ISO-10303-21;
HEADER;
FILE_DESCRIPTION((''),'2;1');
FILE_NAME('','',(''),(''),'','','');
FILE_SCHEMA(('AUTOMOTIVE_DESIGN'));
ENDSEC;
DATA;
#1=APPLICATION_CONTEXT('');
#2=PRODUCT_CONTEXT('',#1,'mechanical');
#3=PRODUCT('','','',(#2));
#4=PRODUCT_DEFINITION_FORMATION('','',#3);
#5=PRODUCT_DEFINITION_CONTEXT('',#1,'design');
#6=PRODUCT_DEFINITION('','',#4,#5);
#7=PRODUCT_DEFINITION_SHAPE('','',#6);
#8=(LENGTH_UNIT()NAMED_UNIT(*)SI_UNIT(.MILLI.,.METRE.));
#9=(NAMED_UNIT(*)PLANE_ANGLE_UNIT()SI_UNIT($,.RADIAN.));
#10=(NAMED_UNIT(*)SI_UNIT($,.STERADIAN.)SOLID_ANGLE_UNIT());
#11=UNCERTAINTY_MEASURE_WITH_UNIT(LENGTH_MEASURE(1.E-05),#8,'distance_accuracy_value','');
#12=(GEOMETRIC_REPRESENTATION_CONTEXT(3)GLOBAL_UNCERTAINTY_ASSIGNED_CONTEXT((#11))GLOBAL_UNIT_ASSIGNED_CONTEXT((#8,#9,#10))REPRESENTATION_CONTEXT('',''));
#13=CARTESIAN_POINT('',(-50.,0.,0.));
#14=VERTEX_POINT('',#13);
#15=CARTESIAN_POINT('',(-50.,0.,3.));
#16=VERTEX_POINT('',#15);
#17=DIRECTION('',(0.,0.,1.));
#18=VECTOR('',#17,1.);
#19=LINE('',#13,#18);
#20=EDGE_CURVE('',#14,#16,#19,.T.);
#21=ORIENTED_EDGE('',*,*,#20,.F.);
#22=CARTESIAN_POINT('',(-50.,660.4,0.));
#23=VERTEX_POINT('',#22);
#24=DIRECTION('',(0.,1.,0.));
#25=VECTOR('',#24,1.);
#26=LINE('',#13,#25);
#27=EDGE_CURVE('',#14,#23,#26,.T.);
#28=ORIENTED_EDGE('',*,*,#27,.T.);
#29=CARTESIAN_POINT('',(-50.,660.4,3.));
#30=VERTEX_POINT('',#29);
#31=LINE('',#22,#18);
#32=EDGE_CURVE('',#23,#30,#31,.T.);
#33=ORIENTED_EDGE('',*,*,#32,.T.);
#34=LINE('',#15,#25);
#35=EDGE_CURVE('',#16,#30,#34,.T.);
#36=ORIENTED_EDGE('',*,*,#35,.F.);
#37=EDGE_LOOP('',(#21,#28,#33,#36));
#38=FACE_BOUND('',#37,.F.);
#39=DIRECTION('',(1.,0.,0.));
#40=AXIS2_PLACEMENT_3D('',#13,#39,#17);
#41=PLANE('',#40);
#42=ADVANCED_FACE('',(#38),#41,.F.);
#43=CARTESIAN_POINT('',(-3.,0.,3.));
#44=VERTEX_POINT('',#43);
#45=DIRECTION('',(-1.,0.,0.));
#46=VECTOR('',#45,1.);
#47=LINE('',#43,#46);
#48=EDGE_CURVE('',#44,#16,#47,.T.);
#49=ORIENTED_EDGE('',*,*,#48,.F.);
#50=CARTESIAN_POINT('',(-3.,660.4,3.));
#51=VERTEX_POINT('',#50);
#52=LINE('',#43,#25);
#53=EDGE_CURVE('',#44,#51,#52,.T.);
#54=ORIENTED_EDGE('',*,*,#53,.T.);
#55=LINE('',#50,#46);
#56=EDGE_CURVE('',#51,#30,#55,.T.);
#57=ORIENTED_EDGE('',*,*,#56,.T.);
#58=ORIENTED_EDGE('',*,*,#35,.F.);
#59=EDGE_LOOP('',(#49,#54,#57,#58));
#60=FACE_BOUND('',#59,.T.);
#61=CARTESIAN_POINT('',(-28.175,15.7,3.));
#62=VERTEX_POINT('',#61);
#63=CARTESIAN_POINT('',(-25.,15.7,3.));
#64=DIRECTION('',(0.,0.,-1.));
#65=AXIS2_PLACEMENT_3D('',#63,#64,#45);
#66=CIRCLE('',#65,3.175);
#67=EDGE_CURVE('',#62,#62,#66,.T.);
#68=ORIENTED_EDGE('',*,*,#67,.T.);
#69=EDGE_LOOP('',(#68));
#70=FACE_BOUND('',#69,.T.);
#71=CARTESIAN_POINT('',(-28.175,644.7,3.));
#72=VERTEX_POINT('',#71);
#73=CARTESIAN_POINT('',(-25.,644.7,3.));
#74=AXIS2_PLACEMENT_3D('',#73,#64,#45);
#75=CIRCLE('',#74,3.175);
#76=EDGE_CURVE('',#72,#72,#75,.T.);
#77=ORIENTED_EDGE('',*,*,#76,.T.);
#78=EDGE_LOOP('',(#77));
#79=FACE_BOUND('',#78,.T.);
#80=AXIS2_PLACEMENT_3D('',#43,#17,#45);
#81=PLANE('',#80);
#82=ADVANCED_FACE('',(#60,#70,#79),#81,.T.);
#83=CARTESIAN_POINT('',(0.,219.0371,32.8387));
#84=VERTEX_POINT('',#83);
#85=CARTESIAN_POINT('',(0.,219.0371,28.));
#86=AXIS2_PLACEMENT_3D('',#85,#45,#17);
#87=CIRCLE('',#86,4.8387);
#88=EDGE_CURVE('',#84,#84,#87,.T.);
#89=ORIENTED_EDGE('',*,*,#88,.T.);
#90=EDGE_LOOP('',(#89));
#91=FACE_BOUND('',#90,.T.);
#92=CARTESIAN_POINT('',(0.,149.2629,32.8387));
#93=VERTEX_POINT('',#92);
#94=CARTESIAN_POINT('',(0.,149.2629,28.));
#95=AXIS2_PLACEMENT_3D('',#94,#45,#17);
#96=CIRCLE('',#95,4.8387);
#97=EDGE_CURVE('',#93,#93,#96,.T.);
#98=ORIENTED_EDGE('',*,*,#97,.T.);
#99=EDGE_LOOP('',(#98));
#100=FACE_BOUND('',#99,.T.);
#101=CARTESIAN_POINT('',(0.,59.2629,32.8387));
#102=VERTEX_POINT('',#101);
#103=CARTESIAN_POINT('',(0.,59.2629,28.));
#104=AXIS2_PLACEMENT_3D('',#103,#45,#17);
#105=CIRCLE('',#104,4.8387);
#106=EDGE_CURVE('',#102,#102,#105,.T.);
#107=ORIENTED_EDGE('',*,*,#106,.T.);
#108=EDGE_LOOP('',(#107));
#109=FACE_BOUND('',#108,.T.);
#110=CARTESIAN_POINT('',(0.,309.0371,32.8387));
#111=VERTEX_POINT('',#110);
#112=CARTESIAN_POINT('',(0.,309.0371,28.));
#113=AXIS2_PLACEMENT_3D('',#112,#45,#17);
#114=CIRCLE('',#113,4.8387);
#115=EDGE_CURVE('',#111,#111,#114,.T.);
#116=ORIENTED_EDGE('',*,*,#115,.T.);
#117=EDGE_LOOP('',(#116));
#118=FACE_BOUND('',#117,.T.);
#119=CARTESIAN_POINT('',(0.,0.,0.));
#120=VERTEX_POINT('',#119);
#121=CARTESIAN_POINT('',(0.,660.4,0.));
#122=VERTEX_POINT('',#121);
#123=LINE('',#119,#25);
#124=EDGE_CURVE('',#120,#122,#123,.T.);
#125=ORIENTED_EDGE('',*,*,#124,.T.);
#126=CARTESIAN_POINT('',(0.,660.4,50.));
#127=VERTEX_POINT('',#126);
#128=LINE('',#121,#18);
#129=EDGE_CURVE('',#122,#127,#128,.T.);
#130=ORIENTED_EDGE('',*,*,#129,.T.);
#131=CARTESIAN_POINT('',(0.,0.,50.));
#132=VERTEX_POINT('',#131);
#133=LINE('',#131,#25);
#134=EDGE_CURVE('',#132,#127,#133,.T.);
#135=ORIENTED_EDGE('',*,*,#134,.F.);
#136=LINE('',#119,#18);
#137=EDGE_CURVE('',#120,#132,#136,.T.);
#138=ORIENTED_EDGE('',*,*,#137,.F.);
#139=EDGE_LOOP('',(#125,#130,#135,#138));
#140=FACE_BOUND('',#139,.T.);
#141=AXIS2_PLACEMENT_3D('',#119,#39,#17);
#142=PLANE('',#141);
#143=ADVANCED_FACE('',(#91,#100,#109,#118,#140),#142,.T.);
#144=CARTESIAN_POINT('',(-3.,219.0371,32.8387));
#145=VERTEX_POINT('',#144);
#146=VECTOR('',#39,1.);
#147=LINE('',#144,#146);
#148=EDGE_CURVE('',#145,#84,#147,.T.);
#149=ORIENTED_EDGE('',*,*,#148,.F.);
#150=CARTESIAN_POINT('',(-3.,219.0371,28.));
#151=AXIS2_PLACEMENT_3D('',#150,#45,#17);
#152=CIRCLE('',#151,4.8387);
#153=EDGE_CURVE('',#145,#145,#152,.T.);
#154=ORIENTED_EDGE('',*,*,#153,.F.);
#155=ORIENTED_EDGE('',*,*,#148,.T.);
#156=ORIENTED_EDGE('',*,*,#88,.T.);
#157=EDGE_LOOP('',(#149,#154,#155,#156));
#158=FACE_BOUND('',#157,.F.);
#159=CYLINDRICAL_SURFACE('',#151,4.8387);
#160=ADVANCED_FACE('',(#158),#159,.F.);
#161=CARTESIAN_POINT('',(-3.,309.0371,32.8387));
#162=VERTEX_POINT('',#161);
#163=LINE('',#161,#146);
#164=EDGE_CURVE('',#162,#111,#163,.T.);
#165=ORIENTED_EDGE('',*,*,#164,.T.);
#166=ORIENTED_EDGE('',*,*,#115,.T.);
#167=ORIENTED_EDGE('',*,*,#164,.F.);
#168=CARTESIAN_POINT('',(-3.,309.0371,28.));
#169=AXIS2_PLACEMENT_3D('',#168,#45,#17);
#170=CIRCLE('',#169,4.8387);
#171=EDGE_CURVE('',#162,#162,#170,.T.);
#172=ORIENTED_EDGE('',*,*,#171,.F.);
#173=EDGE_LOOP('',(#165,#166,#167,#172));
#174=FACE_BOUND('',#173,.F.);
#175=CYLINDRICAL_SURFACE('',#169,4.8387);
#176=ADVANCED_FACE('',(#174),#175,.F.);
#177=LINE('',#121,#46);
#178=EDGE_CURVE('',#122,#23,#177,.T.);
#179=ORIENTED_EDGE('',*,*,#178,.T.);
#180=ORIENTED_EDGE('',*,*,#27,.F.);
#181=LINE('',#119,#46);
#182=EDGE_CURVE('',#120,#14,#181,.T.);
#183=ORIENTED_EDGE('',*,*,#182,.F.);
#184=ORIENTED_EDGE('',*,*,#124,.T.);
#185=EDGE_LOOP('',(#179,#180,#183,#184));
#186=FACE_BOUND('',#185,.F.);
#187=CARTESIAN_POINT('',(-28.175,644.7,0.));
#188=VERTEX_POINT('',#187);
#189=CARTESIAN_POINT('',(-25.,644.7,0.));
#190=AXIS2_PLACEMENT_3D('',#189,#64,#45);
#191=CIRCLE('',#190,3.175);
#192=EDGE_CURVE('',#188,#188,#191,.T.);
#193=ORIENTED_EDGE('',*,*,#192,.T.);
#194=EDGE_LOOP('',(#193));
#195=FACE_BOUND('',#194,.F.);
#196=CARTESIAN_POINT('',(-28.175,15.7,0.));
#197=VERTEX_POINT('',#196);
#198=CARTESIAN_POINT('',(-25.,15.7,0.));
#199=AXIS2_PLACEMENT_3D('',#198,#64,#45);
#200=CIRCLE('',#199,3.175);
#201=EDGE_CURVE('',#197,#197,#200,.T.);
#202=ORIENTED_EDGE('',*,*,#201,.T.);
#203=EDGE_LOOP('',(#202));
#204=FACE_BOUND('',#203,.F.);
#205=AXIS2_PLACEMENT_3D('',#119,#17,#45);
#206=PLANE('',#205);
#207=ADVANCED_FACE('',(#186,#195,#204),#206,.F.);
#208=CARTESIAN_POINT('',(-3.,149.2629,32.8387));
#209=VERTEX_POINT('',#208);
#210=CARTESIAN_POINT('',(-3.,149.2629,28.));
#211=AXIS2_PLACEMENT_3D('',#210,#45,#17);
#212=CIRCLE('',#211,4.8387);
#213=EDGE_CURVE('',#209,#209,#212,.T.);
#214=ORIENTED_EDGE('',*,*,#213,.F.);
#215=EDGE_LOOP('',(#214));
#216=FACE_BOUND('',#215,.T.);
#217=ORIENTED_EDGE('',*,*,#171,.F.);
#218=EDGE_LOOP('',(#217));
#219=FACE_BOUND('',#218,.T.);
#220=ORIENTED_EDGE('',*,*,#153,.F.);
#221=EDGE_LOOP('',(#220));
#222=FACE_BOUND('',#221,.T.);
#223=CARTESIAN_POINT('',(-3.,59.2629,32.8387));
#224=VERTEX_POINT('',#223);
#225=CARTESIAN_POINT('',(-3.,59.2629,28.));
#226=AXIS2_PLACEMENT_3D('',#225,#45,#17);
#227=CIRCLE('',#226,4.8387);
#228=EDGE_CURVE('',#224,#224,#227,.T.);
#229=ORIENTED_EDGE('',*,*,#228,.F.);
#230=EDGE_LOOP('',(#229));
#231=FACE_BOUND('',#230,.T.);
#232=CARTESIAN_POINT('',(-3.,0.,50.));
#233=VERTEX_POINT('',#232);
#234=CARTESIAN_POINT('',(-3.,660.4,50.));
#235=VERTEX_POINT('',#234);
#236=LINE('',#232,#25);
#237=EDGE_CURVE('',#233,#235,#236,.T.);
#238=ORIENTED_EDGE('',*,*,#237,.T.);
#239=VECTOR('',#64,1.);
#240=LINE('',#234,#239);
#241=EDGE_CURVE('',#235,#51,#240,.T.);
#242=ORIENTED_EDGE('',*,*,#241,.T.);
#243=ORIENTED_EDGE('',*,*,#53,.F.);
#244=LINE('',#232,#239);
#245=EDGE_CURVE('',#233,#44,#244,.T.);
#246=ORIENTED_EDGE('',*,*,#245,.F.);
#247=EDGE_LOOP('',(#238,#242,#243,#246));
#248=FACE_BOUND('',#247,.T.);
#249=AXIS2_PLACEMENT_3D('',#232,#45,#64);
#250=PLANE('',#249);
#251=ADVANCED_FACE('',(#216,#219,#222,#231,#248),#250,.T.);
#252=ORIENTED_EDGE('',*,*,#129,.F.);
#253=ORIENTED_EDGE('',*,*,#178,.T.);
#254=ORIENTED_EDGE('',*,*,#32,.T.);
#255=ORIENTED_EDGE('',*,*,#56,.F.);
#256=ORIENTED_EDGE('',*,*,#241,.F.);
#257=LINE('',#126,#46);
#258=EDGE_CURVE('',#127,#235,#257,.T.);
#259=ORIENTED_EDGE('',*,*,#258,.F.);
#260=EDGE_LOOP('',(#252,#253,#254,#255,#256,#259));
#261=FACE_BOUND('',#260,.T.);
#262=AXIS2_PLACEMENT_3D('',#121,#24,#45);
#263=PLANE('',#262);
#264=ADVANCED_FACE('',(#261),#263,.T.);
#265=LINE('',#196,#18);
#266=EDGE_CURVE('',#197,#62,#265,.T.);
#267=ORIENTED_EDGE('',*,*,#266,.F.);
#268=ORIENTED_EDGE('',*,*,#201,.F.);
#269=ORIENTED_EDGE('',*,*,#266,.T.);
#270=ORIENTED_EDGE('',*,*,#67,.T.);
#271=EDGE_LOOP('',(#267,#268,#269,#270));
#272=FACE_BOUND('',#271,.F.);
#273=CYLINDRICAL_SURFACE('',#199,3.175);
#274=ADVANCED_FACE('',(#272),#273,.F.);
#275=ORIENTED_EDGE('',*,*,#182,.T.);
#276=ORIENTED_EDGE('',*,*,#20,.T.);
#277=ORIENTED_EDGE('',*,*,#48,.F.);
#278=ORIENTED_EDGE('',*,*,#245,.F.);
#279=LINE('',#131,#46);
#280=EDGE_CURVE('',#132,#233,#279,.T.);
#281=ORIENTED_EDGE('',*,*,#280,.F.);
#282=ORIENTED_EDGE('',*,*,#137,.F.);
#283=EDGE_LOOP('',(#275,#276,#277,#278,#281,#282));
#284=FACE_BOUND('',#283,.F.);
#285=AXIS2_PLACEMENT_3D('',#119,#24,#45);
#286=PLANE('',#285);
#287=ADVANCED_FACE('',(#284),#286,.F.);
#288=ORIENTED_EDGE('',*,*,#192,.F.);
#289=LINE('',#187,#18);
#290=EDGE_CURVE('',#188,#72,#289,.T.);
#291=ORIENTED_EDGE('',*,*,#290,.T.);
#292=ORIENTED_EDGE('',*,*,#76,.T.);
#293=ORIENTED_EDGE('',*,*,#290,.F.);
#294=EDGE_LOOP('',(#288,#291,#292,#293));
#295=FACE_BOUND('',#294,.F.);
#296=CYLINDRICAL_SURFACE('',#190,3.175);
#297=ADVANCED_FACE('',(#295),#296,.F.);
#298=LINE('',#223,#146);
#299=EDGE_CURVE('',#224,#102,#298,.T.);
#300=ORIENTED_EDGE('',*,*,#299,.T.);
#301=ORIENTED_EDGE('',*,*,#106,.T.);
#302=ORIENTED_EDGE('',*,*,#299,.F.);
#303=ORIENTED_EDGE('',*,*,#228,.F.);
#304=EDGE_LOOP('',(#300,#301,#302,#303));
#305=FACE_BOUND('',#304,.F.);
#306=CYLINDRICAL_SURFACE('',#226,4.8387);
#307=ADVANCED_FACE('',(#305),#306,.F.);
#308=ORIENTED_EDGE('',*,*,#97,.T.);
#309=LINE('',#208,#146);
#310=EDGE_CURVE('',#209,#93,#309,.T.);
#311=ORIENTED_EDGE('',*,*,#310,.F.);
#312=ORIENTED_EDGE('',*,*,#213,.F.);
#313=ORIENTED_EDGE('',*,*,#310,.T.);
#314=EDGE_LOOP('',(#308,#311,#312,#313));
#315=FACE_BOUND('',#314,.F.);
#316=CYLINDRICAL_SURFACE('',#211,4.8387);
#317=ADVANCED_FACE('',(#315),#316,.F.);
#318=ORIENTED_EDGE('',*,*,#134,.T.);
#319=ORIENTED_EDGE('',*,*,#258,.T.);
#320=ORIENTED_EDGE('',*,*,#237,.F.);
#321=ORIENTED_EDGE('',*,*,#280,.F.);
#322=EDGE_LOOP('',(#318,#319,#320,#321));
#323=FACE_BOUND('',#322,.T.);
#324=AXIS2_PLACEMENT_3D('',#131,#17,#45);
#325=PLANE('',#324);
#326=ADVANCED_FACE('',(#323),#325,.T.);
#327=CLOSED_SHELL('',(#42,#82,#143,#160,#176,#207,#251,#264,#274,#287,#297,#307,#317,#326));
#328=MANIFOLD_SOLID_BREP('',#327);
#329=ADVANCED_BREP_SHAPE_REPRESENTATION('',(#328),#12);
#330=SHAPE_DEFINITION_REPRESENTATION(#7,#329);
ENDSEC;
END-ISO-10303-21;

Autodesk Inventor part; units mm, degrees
ref_plane "YZ Plane" through (0, 0, 0) normal (1, 0, 0) x (0, 1, 0)
ref_plane "XZ Plane" through (0, 0, 0) normal (0, 1, 0) x (-1, 0, 0)
ref_plane "XY Plane" through (0, 0, 0) normal (0, 0, 1) x (1, 0, 0)
sketch "Sketch1" plane through (0, 0, 0) normal (0, 1, 0) x (-1, 0, 0)
  line L0 (0, 0) -> (50, 0)
  line L1 (50, 0) -> (50, 3)
  line L2 (0, 0) -> (0, 50)
  line L3 (0, 50) -> (3, 50)
  line L4 (3, 50) -> (3, 3)
  line L5 (3, 3) -> (50, 3)
  dimension "d0" = 50
  dimension "d1" = 3
  dimension "d2" = 50
  dimension "d3" = 3
extrude "Extrusion1" add sketch "Sketch1" along normal blind 660.4
sketch "Sketch4" plane through (0, 0, 0) normal (0, 0, -1) x (-1, 0, 0)
  circle A0 centre (25, 15.7) radius 3.175
  circle A1 centre (25, 644.7) radius 3.175
  dimension "d62" = 6.35
  dimension "d63" = 6.35
extrude "Extrusion4" cut sketch "Sketch4" against normal blind 25.4
sketch "Sketch5" plane through (-3, 0, 3) normal (-1, 0, 0) x (0, 0, 1)
  circle A0 centre (25, 59.2629) radius 4.8387
  circle A1 centre (25, 149.2629) radius 4.8387
  circle A2 centre (25, 219.0371) radius 4.8387
  circle A3 centre (25, 309.0371) radius 4.8387
  line L0 (0, 0) -> (47, 0) projected
  line L1 (0, 0) -> (0, 660.4) projected
  line L2 (-136.6387, 184.15) -> (192.6114, 184.15) construction
  line L3 (47, 0) -> (47, 660.4) projected
  line L4 (-3, 0) -> (-3, 660.4) construction
  dimension "d68" = 90
  dimension "d70" = 90
  dimension "d71" = 69.7742
  dimension "d72" = 184.15
  dimension "d73" = 34.8871
  dimension "d74" = 34.8871
  dimension "d77" = 25
  dimension "d78" = 59.2629
  dimension "d79" = 50
extrude "Extrusion5" cut sketch "Sketch5" against normal blind 25.4
equation "\"d63\" = d62"
equation "\"d70\" = d68"
equation "\"d73\" = 0.5 * d71"
equation "\"d74\" = 0.5 * d71"
equation "\"d77\" = 0.5 * d79"
properties part number "26in Angle Channel CIM Mount Left" material "Aluminum 6061"
